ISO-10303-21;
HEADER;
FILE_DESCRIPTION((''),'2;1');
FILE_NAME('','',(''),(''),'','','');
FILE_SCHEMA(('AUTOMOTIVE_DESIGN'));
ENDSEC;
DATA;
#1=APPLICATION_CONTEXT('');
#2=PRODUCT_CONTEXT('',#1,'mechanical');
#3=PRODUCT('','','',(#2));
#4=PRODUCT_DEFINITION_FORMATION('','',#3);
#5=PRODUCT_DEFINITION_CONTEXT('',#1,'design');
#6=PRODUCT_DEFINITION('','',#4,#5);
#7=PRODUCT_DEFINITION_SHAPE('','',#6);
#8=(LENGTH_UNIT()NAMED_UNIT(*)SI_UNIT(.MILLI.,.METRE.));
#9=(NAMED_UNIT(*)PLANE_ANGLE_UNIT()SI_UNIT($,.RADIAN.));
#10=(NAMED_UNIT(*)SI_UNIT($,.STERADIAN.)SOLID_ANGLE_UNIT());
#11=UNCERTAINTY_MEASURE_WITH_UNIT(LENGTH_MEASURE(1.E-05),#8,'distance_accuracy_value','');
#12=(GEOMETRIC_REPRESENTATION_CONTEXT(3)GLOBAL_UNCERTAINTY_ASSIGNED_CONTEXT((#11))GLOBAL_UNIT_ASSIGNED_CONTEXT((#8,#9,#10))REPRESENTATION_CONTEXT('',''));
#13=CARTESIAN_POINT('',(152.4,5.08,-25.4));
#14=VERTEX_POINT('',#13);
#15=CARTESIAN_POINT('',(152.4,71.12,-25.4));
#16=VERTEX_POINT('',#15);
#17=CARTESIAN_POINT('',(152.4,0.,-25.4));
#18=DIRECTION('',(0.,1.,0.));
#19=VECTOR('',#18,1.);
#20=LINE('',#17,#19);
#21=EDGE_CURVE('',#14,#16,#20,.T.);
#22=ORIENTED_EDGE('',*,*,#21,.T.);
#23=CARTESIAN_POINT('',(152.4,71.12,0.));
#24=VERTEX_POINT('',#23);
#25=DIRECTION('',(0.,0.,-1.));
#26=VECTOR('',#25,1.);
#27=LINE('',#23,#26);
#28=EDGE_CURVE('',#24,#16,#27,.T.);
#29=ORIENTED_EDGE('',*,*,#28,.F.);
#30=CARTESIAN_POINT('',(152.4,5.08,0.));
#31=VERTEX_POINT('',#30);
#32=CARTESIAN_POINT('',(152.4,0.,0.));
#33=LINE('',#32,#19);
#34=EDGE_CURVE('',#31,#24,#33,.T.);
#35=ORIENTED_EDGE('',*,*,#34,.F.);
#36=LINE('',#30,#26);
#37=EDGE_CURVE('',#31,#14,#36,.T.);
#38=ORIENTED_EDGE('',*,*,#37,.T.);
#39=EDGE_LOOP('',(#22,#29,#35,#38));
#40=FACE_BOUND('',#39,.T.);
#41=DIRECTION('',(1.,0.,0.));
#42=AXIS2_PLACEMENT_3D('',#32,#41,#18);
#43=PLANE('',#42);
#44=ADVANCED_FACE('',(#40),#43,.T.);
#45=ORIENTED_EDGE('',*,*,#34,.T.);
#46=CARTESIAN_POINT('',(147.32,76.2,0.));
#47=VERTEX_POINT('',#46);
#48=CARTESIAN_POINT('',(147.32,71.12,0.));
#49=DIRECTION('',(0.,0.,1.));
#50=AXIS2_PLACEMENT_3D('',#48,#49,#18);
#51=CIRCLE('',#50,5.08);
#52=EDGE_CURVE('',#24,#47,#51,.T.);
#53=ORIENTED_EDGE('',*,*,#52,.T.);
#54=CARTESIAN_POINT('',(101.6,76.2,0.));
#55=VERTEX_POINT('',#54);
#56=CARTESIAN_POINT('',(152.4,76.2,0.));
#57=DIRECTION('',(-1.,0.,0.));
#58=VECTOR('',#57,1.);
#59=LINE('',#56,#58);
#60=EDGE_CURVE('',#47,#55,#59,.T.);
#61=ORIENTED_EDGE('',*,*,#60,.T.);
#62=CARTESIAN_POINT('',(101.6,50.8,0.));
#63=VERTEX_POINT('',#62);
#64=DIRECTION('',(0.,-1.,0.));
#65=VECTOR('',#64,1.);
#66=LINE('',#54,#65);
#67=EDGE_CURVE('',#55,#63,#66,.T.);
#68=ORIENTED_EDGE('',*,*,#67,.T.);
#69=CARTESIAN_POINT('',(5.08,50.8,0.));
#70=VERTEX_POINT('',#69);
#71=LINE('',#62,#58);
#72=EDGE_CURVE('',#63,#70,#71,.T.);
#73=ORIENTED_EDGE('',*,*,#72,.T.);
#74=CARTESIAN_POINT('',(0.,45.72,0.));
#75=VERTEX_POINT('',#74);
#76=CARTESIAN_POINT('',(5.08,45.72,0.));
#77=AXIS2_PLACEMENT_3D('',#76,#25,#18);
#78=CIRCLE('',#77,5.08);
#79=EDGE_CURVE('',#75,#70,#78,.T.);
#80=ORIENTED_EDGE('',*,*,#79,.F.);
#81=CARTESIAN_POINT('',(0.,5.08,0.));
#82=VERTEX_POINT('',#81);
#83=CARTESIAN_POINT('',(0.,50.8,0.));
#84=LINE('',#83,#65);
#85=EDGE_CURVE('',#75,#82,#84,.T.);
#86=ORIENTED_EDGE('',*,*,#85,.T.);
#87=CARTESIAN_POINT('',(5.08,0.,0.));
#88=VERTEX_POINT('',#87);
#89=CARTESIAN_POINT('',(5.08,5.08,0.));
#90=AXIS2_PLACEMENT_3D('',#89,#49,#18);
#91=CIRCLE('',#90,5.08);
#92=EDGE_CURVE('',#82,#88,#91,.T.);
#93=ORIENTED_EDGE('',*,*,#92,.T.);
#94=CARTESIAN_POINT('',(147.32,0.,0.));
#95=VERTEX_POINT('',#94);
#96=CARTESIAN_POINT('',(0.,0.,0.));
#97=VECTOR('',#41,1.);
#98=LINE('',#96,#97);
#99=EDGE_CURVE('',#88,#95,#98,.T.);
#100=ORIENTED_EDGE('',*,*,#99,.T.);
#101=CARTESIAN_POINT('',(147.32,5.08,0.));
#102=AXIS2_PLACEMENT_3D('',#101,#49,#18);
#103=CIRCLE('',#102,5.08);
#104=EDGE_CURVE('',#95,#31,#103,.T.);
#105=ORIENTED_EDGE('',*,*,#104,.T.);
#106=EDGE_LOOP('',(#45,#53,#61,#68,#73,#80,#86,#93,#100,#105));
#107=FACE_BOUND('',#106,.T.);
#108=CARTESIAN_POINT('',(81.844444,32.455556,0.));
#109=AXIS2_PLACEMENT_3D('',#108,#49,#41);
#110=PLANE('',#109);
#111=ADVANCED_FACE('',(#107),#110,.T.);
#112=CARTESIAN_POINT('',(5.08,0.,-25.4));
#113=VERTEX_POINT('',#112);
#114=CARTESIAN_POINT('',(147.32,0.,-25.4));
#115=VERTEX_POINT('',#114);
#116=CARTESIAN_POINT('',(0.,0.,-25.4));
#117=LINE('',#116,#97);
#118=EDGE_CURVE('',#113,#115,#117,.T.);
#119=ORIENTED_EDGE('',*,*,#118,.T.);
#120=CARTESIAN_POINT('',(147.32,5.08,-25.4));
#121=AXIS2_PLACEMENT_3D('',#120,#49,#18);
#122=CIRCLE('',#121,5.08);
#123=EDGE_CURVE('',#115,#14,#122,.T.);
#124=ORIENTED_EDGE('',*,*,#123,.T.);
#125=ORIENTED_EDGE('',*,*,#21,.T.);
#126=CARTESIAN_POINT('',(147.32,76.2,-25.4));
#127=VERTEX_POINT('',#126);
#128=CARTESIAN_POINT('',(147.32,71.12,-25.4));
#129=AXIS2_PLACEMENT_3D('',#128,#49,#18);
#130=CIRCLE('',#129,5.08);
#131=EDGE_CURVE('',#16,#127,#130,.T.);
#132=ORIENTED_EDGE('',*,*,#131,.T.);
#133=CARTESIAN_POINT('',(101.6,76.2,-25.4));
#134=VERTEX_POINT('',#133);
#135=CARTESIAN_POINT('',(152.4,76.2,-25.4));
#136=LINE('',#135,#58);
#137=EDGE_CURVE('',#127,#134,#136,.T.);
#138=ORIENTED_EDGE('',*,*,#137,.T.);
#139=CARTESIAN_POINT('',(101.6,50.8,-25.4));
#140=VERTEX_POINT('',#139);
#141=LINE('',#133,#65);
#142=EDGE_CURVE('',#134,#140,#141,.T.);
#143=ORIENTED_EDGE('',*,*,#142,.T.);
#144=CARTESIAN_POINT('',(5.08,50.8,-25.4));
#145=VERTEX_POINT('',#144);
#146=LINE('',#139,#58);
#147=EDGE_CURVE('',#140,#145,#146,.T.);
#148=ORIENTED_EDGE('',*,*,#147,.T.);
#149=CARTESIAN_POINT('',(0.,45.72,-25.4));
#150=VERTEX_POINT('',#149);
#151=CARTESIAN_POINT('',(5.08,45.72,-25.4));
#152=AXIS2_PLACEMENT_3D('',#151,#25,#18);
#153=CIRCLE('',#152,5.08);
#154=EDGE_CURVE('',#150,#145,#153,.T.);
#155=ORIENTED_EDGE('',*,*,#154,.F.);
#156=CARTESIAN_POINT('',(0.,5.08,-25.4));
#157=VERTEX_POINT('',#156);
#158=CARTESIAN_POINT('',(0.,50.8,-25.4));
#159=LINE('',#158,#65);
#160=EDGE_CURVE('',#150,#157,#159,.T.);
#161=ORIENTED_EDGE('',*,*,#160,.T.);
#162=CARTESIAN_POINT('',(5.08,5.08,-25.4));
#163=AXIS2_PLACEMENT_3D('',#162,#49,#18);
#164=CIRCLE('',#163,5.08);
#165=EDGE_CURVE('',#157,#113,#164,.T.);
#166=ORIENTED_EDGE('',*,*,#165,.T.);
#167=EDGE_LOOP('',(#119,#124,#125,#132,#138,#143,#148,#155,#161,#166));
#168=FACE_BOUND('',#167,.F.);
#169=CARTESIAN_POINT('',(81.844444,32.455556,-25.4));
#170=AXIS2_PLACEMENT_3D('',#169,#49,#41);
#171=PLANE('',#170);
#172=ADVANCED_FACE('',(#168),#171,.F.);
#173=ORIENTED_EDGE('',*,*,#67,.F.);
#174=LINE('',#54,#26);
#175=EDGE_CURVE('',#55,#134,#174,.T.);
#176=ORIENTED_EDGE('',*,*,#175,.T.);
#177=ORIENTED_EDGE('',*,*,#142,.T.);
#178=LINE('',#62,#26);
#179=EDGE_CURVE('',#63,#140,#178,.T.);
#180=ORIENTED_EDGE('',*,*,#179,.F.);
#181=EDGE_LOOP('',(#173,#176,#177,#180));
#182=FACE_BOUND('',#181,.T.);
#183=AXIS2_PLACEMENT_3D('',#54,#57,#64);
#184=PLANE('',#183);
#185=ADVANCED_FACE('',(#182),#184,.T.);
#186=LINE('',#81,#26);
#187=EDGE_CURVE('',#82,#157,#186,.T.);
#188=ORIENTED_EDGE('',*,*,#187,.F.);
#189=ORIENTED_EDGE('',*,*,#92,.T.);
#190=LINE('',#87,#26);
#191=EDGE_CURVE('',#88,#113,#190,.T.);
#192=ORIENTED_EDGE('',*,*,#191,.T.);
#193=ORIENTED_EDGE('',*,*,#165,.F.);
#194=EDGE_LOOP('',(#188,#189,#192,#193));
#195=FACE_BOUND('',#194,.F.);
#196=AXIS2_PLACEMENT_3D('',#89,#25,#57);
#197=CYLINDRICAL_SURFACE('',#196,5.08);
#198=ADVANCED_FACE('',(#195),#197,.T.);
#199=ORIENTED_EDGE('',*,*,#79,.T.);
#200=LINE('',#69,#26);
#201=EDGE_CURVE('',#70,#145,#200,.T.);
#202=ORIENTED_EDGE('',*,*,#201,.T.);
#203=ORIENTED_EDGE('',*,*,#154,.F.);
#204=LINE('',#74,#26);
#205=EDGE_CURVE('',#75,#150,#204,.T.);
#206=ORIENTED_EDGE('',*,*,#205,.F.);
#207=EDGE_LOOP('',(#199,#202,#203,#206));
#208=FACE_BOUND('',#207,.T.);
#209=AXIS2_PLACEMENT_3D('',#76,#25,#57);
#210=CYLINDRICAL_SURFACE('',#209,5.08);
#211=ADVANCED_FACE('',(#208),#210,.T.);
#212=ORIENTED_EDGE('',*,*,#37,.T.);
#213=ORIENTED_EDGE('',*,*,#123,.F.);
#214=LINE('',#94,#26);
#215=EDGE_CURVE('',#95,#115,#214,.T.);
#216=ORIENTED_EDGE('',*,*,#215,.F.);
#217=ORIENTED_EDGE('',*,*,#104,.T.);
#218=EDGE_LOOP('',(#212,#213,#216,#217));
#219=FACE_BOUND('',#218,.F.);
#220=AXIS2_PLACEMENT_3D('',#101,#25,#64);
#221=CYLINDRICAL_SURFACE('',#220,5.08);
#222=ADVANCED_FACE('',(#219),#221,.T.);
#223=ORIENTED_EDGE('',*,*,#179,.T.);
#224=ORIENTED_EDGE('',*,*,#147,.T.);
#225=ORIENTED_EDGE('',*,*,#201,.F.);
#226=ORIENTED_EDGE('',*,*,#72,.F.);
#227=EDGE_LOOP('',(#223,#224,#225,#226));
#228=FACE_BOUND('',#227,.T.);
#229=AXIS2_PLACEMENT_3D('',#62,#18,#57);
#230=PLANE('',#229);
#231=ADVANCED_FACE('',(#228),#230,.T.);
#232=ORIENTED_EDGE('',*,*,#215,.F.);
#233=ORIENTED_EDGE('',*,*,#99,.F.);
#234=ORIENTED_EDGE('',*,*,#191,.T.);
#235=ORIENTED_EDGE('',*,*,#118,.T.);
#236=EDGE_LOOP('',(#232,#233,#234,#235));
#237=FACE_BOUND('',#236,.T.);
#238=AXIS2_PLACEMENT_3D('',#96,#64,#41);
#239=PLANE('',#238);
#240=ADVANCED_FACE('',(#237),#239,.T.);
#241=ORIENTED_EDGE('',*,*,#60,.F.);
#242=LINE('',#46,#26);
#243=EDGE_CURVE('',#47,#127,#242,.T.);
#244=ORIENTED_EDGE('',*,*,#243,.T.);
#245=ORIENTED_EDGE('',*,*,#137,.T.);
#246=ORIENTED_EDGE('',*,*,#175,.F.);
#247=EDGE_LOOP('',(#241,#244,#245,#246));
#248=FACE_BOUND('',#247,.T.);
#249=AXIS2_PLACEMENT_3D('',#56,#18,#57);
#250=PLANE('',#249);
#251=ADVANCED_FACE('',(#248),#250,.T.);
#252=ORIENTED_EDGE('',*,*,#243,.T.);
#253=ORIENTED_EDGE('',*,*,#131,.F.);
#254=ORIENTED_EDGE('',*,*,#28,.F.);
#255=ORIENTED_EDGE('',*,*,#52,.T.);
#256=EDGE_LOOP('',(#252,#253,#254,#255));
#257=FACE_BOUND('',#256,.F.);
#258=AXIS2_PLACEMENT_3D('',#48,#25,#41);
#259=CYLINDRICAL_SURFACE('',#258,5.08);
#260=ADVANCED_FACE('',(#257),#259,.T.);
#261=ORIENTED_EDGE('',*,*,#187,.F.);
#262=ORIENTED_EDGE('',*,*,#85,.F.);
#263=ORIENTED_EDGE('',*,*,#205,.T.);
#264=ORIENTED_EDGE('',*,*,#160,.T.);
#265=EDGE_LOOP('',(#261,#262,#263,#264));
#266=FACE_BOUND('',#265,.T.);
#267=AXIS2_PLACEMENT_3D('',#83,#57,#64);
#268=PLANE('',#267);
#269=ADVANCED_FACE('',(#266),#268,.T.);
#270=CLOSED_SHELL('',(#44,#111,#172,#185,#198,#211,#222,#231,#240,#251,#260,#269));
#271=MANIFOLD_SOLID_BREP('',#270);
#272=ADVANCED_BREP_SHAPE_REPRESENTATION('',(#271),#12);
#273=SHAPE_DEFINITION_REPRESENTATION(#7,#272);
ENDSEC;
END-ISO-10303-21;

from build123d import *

# Parameters (mm, degrees)
F1_DEPTH = 25.4
F2_R     = 5.08
F3_R     = 5.08
F4_R     = 5.08
F5_R     = 5.08


with BuildPart() as f1:
    # F0 (on Top) → F1 (new body)
    with BuildSketch(Plane.XY):
        Polygon((0, 50.8), (0, 0), (152.4, 0), (152.4, 76.2), (101.6, 76.2), (101.6, 50.8), align=None)
    extrude(amount=-F1_DEPTH)

    # F2
    f2_edges = [f1.edges().sort_by_distance(p)[0] for p in [
        (152.4, 76.2, -12.7),
    ]]
    fillet(f2_edges, radius=F2_R)

    # F3
    f3_edges = [f1.edges().sort_by_distance(p)[0] for p in [
        (0, 50.8, -12.7),
    ]]
    fillet(f3_edges, radius=F3_R)

    # F4
    f4_edges = [f1.edges().sort_by_distance(p)[0] for p in [
        (0, 0, -12.7),
    ]]
    fillet(f4_edges, radius=F4_R)

    # F5
    f5_edges = [f1.edges().sort_by_distance(p)[0] for p in [
        (152.4, 0, -12.7),
    ]]
    fillet(f5_edges, radius=F5_R)


solid = f1.part
